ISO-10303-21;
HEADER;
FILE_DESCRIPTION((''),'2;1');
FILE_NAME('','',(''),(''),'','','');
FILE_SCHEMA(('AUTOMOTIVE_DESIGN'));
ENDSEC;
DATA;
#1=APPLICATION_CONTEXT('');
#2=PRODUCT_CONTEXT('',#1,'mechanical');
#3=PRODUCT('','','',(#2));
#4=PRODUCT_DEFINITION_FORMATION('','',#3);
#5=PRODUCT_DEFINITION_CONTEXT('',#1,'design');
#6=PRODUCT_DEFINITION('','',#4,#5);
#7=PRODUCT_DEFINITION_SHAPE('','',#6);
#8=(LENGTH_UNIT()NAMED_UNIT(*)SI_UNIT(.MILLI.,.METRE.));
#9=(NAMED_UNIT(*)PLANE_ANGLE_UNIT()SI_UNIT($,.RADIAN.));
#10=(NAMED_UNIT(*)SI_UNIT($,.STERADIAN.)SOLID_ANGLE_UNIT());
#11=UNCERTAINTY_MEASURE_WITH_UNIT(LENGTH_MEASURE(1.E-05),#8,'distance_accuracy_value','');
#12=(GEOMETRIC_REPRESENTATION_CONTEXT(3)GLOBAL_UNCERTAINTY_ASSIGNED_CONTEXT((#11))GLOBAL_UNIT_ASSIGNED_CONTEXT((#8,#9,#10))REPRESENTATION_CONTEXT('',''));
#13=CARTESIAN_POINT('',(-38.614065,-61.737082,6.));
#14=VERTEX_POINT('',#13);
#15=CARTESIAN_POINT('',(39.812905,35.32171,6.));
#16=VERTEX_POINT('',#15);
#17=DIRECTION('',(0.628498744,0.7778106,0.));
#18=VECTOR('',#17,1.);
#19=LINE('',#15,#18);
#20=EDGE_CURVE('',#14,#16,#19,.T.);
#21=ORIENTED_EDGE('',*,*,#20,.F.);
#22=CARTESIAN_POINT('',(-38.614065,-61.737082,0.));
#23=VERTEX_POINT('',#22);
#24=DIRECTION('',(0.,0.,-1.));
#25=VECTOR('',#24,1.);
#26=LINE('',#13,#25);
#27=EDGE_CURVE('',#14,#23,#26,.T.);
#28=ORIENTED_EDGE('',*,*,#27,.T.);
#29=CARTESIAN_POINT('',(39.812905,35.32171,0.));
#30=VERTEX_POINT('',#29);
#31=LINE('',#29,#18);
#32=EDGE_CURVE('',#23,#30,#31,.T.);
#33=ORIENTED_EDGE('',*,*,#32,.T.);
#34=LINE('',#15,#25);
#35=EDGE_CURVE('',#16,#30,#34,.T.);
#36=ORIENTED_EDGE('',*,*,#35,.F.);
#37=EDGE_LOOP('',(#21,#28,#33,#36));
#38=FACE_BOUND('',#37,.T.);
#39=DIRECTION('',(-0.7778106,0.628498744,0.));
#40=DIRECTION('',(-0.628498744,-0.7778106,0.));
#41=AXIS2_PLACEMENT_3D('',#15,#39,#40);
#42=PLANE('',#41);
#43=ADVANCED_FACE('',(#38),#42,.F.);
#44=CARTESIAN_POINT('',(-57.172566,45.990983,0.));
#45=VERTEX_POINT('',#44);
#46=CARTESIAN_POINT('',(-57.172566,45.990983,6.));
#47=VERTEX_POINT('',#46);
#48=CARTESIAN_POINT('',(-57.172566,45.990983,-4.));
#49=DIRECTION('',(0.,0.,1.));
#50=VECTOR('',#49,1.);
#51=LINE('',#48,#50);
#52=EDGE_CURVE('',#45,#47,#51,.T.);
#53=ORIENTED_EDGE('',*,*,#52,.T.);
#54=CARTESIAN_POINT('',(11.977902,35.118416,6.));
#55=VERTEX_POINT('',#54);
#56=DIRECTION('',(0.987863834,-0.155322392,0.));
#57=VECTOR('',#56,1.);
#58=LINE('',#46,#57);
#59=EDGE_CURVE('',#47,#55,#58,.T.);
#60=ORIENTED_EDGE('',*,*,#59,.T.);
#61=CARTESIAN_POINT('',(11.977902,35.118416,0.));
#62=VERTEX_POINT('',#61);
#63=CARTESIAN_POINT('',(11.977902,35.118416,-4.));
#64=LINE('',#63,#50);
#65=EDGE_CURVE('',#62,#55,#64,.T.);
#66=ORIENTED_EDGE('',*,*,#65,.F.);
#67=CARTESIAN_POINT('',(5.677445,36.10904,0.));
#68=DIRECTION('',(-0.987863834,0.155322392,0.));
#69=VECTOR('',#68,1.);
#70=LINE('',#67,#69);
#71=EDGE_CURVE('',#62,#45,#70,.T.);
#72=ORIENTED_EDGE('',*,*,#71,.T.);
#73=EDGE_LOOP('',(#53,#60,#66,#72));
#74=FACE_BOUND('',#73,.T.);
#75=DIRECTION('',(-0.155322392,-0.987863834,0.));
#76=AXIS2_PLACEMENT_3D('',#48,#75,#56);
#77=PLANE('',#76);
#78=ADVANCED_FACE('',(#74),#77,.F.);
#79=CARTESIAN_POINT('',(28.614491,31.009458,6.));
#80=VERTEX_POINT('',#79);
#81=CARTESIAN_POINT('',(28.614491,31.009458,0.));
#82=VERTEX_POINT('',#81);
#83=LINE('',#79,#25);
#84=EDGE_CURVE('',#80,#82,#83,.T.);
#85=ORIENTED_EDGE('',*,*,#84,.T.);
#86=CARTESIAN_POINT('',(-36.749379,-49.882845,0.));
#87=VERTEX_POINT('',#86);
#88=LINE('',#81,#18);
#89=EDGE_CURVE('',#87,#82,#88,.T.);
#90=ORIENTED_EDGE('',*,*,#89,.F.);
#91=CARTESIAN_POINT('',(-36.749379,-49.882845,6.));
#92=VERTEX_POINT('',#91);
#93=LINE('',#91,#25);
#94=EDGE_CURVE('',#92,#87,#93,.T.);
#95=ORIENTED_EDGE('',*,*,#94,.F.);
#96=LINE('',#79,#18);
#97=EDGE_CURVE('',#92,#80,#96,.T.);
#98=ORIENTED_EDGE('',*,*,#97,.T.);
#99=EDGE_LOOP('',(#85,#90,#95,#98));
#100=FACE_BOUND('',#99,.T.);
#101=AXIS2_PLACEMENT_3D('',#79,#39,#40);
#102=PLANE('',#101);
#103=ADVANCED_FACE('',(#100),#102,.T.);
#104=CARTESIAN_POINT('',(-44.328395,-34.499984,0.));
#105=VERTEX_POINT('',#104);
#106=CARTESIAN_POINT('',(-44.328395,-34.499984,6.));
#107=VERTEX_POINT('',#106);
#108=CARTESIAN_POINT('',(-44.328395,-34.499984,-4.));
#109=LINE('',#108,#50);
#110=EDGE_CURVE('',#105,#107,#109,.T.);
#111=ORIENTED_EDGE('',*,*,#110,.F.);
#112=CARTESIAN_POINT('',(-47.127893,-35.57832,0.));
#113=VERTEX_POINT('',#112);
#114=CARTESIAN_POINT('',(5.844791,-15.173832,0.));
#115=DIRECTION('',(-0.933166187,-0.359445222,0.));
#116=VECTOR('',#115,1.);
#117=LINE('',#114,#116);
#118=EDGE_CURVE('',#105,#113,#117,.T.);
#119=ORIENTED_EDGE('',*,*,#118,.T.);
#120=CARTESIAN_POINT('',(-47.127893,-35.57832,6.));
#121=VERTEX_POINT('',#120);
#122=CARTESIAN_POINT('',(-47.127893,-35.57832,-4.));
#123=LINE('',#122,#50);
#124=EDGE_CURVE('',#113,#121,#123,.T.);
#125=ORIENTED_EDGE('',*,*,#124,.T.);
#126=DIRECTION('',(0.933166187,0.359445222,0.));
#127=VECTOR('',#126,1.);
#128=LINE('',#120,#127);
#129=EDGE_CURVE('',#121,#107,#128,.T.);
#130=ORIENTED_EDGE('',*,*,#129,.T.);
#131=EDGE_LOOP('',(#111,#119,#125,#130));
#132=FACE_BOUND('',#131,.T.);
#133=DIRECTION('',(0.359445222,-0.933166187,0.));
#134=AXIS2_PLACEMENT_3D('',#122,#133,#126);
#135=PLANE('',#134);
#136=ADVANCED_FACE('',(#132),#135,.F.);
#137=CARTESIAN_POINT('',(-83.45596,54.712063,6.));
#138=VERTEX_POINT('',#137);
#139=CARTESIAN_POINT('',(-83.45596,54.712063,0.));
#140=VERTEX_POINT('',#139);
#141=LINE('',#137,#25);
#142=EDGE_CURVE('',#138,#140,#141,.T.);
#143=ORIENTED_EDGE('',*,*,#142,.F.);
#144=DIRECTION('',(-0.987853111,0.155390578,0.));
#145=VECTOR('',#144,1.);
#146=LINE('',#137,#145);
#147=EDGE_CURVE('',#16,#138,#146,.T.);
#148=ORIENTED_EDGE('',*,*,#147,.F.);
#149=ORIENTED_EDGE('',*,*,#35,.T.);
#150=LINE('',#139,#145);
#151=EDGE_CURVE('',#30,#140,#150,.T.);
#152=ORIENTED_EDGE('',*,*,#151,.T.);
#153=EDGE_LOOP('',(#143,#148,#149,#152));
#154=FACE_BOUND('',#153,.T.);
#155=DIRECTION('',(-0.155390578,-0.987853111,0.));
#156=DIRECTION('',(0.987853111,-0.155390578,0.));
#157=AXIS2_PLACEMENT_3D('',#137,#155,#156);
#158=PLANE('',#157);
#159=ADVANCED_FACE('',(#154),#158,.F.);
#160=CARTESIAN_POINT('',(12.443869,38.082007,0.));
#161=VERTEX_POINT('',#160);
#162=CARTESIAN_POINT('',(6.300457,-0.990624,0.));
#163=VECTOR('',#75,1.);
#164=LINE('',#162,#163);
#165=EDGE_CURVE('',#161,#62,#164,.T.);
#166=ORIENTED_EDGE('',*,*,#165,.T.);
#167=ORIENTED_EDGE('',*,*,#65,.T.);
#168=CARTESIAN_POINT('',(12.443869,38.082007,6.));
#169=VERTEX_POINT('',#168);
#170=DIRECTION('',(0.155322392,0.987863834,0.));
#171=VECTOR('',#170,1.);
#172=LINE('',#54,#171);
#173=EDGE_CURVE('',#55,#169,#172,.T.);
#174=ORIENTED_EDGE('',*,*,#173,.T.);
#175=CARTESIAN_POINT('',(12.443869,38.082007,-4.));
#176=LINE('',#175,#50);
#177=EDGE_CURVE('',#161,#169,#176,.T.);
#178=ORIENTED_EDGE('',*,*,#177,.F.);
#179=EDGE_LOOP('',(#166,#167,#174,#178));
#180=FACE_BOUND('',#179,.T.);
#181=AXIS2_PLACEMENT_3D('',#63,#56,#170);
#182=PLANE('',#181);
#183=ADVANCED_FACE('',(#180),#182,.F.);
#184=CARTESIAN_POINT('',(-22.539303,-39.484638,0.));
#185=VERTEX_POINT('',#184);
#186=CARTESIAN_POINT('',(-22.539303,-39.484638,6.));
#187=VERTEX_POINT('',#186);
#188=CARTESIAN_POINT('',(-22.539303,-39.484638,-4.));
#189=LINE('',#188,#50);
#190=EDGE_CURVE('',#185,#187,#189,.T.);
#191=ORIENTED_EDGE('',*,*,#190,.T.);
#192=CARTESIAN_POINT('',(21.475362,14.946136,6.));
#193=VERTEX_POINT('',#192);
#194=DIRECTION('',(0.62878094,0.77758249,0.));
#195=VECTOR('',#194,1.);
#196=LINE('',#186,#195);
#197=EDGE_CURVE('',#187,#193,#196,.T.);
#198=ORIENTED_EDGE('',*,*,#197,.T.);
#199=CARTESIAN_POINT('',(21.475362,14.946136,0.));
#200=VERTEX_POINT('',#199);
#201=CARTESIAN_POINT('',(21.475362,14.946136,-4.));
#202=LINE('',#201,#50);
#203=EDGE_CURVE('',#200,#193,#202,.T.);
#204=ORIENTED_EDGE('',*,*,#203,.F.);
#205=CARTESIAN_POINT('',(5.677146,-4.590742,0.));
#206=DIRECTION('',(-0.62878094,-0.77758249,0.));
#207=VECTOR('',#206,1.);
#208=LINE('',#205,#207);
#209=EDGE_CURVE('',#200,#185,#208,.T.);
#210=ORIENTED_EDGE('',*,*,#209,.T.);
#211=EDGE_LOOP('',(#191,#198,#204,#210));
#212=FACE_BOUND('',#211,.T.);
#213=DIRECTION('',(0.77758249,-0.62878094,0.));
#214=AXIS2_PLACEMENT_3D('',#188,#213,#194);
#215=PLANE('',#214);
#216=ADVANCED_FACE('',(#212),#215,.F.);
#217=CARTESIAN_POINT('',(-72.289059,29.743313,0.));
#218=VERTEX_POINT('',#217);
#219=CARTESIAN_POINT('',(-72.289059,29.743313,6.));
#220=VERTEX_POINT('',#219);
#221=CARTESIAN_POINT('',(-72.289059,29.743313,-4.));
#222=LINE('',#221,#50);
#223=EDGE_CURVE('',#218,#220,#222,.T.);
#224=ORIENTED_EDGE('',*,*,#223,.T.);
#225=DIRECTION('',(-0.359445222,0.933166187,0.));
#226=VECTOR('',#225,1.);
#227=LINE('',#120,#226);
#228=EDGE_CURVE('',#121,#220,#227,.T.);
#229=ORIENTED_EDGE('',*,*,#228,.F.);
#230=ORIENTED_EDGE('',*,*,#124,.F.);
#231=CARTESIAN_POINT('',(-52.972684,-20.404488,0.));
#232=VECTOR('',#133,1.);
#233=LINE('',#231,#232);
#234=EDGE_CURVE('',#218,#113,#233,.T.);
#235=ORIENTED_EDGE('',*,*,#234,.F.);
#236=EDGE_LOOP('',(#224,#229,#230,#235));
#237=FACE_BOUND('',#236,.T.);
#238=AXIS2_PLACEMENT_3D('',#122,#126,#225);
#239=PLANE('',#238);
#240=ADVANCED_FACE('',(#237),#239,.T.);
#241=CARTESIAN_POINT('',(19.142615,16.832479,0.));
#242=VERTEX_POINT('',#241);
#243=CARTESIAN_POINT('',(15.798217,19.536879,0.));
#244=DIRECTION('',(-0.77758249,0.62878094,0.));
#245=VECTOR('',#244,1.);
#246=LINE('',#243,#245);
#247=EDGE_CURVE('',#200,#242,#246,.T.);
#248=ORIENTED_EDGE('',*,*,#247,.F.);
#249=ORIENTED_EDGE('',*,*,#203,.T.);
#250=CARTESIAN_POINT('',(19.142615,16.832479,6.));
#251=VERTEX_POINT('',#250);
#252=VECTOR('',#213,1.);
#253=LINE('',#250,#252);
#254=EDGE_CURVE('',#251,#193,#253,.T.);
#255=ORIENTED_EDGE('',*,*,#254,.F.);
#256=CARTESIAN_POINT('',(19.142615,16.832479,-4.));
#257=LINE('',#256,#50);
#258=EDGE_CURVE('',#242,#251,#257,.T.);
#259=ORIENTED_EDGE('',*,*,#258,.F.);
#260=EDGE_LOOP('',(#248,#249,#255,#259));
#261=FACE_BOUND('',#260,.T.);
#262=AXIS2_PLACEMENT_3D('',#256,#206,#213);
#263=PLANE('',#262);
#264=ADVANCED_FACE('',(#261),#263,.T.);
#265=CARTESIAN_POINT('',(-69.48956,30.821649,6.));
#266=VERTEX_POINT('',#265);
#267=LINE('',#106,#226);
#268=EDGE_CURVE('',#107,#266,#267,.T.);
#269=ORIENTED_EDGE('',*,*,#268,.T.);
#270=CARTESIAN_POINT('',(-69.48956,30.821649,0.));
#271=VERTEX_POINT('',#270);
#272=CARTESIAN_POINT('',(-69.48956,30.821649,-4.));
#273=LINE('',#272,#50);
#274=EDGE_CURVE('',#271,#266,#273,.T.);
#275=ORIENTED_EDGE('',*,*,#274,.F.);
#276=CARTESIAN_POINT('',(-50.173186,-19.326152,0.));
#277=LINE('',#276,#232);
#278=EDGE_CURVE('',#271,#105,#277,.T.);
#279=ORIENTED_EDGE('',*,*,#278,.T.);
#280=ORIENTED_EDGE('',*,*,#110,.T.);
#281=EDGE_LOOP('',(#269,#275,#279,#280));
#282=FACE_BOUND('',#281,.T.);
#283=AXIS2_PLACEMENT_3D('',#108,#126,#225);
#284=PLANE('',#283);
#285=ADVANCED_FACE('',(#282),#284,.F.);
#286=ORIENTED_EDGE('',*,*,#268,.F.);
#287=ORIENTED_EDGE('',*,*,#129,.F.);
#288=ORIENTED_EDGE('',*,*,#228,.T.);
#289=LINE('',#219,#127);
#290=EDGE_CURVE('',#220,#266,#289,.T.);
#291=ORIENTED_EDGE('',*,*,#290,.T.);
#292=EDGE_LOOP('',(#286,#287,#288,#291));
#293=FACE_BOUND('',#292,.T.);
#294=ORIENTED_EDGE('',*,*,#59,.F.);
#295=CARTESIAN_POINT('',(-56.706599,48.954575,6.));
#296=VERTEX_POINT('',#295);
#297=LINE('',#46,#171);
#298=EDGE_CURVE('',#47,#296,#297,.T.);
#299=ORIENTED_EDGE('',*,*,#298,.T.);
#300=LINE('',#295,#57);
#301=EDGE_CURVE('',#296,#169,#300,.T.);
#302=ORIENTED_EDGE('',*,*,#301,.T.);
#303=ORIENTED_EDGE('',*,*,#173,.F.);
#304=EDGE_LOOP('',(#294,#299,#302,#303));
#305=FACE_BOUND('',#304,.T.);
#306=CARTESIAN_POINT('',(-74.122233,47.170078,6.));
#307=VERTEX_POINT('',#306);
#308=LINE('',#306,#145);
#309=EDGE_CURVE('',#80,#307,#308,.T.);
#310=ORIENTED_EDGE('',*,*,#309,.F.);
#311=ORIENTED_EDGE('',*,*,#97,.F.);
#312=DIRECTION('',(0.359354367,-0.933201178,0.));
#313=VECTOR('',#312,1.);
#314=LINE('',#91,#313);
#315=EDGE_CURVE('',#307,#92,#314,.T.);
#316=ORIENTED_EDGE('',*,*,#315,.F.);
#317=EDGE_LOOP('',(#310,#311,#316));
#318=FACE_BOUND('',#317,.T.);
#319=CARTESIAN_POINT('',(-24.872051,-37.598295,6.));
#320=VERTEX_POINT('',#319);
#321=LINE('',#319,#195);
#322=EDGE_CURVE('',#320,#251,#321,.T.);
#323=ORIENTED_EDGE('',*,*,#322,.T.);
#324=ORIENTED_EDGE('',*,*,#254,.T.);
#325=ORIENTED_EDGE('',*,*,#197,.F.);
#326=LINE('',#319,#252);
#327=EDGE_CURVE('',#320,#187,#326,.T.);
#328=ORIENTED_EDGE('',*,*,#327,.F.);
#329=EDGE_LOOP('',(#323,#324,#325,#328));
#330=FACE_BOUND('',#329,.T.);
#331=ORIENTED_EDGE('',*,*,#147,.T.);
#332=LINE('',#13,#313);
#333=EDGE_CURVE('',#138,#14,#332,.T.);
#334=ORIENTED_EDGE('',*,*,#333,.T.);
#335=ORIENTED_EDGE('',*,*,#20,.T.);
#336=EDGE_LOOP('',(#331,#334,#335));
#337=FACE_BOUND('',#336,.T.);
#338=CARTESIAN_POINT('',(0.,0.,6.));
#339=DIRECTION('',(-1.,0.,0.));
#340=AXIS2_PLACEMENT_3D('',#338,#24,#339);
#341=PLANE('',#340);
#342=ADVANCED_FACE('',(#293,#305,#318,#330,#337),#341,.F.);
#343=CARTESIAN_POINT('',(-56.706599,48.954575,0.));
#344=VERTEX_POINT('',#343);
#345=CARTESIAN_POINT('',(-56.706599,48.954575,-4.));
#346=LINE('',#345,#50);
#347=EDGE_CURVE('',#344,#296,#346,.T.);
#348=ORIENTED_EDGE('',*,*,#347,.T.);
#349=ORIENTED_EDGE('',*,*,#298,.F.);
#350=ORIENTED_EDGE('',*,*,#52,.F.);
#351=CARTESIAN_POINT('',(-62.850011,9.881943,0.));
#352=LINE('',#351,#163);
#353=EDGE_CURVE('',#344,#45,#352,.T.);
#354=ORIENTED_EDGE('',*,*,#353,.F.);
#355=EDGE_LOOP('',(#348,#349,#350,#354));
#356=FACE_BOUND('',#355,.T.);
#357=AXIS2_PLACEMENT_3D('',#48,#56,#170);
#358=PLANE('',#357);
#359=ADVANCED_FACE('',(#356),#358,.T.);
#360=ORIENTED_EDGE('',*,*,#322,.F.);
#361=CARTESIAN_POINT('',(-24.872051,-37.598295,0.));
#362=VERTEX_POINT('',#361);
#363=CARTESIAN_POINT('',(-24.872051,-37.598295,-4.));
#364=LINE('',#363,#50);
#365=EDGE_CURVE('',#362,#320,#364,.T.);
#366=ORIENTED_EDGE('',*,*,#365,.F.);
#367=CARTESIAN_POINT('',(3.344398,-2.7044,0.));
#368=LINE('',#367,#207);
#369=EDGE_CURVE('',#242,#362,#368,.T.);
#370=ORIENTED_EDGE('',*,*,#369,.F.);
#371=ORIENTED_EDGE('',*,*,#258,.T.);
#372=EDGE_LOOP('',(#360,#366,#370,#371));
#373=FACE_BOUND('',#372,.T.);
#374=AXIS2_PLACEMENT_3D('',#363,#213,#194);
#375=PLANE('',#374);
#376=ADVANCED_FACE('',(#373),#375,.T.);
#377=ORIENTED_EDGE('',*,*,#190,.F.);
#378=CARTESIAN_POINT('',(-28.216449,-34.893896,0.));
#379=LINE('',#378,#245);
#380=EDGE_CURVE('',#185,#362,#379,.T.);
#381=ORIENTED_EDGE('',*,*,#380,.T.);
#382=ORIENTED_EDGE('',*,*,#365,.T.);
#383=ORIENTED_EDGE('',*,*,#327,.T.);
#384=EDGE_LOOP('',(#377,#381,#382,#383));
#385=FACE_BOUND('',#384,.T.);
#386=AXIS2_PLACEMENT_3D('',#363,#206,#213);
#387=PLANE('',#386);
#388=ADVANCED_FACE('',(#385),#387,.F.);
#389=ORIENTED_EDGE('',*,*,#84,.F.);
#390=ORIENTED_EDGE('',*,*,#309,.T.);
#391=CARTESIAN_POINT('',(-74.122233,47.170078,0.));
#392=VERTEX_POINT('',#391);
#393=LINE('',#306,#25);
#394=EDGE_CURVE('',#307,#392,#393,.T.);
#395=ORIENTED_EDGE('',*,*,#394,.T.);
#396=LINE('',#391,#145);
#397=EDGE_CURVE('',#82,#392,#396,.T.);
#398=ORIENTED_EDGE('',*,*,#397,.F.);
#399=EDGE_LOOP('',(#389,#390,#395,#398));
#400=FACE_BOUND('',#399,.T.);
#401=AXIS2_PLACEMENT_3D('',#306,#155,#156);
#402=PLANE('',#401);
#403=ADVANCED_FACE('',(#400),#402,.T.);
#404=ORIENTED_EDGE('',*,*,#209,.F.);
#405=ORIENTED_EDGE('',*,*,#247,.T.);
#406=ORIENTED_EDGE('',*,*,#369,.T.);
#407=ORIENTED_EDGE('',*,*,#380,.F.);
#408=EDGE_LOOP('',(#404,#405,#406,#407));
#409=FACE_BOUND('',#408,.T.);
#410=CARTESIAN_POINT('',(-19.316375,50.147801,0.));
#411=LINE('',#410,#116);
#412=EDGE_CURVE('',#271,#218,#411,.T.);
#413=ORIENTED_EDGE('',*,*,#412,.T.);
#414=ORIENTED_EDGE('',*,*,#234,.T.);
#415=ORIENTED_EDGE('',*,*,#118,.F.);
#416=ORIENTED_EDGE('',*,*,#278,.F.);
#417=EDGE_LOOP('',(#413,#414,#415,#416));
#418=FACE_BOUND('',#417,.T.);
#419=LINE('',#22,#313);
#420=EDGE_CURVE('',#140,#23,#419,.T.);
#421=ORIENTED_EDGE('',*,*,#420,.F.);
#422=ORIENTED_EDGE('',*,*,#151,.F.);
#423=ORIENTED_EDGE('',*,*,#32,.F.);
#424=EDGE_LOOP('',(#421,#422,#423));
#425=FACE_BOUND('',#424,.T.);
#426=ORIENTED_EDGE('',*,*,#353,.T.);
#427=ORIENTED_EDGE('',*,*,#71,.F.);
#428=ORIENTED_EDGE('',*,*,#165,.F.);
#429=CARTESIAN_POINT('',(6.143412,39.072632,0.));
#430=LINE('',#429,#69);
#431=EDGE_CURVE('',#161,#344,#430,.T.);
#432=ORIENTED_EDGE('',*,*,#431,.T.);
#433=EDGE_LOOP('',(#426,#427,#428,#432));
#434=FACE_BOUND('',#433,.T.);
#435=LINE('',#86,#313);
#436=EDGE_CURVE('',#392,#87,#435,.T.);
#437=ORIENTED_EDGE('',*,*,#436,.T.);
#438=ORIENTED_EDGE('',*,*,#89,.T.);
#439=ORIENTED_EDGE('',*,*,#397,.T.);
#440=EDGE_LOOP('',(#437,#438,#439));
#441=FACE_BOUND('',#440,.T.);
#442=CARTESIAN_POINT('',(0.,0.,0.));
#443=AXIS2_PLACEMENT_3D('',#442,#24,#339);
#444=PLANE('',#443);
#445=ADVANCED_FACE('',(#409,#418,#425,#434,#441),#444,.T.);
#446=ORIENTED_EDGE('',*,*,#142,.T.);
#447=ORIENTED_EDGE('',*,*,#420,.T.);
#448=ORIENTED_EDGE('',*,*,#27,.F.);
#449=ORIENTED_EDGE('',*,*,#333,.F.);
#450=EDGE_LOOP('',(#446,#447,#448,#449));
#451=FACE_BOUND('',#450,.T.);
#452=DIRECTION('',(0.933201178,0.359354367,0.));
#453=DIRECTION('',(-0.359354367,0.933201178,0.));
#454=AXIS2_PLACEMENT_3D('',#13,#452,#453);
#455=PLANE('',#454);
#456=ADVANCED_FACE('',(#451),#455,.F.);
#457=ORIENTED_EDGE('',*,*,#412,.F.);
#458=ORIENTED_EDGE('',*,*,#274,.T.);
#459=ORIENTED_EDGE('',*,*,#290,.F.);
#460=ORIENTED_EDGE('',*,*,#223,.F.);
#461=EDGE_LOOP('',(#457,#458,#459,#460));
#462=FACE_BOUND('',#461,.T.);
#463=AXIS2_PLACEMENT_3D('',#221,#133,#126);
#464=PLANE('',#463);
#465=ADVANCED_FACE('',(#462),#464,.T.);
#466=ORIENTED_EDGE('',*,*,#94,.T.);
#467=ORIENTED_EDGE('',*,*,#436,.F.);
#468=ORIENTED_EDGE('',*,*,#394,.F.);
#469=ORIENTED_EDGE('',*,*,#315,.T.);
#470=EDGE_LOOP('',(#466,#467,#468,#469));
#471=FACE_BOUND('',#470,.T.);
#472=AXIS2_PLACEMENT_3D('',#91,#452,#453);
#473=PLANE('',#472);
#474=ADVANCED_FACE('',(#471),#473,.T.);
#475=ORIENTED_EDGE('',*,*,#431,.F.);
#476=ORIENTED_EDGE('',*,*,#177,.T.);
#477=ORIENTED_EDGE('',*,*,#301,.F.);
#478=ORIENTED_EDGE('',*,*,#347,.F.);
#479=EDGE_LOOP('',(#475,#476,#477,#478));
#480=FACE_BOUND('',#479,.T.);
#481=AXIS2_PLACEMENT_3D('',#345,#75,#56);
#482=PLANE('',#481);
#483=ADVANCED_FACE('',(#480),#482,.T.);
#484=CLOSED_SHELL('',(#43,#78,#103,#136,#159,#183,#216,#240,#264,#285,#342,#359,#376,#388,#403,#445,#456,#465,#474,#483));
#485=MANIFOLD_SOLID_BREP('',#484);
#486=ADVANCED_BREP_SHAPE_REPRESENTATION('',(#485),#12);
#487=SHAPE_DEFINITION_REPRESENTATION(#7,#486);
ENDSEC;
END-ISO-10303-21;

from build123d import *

# Parameters (mm, degrees)
BOSS_EXTRU_2_DEPTH      = 6
ENL_V_MAT_EXTRU_2_DEPTH = 10


with BuildPart() as part:
    # Esquisse1 → Boss.-Extru.2 (new body)
    with BuildSketch(Plane.XY):
        Polygon((-83.455959888, 54.712062767), (39.812904953, 35.321710103), (-38.614065462, -61.737082013), align=None)
        Polygon((28.614490816, 31.009457699), (-36.749378522, -49.882844686), (-74.12223269, 47.170077843), align=None, mode=Mode.SUBTRACT)
    extrude(amount=BOSS_EXTRU_2_DEPTH)

    # Esquisse2 → Enlèv. mat.-Extru.2 (cut)
    with BuildSketch(Plane.XY.offset(6)):
        Polygon((-24.872050824, -37.598295416), (19.142614995, 16.832478902), (21.475362465, 14.946136081), (-22.539303353, -39.484638237), align=None)
        Polygon((-57.172566376, 45.990983286), (11.977902, 35.118415816), (12.443869177, 38.082007318), (-56.706599198, 48.954574788), align=None)
        Polygon((-47.127893484, -35.578319674), (-72.28905902, 29.74331341), (-69.48956046, 30.821649076), (-44.328394923, -34.499984009), align=None)
    extrude(amount=-ENL_V_MAT_EXTRU_2_DEPTH, mode=Mode.SUBTRACT)


solid = part.part
